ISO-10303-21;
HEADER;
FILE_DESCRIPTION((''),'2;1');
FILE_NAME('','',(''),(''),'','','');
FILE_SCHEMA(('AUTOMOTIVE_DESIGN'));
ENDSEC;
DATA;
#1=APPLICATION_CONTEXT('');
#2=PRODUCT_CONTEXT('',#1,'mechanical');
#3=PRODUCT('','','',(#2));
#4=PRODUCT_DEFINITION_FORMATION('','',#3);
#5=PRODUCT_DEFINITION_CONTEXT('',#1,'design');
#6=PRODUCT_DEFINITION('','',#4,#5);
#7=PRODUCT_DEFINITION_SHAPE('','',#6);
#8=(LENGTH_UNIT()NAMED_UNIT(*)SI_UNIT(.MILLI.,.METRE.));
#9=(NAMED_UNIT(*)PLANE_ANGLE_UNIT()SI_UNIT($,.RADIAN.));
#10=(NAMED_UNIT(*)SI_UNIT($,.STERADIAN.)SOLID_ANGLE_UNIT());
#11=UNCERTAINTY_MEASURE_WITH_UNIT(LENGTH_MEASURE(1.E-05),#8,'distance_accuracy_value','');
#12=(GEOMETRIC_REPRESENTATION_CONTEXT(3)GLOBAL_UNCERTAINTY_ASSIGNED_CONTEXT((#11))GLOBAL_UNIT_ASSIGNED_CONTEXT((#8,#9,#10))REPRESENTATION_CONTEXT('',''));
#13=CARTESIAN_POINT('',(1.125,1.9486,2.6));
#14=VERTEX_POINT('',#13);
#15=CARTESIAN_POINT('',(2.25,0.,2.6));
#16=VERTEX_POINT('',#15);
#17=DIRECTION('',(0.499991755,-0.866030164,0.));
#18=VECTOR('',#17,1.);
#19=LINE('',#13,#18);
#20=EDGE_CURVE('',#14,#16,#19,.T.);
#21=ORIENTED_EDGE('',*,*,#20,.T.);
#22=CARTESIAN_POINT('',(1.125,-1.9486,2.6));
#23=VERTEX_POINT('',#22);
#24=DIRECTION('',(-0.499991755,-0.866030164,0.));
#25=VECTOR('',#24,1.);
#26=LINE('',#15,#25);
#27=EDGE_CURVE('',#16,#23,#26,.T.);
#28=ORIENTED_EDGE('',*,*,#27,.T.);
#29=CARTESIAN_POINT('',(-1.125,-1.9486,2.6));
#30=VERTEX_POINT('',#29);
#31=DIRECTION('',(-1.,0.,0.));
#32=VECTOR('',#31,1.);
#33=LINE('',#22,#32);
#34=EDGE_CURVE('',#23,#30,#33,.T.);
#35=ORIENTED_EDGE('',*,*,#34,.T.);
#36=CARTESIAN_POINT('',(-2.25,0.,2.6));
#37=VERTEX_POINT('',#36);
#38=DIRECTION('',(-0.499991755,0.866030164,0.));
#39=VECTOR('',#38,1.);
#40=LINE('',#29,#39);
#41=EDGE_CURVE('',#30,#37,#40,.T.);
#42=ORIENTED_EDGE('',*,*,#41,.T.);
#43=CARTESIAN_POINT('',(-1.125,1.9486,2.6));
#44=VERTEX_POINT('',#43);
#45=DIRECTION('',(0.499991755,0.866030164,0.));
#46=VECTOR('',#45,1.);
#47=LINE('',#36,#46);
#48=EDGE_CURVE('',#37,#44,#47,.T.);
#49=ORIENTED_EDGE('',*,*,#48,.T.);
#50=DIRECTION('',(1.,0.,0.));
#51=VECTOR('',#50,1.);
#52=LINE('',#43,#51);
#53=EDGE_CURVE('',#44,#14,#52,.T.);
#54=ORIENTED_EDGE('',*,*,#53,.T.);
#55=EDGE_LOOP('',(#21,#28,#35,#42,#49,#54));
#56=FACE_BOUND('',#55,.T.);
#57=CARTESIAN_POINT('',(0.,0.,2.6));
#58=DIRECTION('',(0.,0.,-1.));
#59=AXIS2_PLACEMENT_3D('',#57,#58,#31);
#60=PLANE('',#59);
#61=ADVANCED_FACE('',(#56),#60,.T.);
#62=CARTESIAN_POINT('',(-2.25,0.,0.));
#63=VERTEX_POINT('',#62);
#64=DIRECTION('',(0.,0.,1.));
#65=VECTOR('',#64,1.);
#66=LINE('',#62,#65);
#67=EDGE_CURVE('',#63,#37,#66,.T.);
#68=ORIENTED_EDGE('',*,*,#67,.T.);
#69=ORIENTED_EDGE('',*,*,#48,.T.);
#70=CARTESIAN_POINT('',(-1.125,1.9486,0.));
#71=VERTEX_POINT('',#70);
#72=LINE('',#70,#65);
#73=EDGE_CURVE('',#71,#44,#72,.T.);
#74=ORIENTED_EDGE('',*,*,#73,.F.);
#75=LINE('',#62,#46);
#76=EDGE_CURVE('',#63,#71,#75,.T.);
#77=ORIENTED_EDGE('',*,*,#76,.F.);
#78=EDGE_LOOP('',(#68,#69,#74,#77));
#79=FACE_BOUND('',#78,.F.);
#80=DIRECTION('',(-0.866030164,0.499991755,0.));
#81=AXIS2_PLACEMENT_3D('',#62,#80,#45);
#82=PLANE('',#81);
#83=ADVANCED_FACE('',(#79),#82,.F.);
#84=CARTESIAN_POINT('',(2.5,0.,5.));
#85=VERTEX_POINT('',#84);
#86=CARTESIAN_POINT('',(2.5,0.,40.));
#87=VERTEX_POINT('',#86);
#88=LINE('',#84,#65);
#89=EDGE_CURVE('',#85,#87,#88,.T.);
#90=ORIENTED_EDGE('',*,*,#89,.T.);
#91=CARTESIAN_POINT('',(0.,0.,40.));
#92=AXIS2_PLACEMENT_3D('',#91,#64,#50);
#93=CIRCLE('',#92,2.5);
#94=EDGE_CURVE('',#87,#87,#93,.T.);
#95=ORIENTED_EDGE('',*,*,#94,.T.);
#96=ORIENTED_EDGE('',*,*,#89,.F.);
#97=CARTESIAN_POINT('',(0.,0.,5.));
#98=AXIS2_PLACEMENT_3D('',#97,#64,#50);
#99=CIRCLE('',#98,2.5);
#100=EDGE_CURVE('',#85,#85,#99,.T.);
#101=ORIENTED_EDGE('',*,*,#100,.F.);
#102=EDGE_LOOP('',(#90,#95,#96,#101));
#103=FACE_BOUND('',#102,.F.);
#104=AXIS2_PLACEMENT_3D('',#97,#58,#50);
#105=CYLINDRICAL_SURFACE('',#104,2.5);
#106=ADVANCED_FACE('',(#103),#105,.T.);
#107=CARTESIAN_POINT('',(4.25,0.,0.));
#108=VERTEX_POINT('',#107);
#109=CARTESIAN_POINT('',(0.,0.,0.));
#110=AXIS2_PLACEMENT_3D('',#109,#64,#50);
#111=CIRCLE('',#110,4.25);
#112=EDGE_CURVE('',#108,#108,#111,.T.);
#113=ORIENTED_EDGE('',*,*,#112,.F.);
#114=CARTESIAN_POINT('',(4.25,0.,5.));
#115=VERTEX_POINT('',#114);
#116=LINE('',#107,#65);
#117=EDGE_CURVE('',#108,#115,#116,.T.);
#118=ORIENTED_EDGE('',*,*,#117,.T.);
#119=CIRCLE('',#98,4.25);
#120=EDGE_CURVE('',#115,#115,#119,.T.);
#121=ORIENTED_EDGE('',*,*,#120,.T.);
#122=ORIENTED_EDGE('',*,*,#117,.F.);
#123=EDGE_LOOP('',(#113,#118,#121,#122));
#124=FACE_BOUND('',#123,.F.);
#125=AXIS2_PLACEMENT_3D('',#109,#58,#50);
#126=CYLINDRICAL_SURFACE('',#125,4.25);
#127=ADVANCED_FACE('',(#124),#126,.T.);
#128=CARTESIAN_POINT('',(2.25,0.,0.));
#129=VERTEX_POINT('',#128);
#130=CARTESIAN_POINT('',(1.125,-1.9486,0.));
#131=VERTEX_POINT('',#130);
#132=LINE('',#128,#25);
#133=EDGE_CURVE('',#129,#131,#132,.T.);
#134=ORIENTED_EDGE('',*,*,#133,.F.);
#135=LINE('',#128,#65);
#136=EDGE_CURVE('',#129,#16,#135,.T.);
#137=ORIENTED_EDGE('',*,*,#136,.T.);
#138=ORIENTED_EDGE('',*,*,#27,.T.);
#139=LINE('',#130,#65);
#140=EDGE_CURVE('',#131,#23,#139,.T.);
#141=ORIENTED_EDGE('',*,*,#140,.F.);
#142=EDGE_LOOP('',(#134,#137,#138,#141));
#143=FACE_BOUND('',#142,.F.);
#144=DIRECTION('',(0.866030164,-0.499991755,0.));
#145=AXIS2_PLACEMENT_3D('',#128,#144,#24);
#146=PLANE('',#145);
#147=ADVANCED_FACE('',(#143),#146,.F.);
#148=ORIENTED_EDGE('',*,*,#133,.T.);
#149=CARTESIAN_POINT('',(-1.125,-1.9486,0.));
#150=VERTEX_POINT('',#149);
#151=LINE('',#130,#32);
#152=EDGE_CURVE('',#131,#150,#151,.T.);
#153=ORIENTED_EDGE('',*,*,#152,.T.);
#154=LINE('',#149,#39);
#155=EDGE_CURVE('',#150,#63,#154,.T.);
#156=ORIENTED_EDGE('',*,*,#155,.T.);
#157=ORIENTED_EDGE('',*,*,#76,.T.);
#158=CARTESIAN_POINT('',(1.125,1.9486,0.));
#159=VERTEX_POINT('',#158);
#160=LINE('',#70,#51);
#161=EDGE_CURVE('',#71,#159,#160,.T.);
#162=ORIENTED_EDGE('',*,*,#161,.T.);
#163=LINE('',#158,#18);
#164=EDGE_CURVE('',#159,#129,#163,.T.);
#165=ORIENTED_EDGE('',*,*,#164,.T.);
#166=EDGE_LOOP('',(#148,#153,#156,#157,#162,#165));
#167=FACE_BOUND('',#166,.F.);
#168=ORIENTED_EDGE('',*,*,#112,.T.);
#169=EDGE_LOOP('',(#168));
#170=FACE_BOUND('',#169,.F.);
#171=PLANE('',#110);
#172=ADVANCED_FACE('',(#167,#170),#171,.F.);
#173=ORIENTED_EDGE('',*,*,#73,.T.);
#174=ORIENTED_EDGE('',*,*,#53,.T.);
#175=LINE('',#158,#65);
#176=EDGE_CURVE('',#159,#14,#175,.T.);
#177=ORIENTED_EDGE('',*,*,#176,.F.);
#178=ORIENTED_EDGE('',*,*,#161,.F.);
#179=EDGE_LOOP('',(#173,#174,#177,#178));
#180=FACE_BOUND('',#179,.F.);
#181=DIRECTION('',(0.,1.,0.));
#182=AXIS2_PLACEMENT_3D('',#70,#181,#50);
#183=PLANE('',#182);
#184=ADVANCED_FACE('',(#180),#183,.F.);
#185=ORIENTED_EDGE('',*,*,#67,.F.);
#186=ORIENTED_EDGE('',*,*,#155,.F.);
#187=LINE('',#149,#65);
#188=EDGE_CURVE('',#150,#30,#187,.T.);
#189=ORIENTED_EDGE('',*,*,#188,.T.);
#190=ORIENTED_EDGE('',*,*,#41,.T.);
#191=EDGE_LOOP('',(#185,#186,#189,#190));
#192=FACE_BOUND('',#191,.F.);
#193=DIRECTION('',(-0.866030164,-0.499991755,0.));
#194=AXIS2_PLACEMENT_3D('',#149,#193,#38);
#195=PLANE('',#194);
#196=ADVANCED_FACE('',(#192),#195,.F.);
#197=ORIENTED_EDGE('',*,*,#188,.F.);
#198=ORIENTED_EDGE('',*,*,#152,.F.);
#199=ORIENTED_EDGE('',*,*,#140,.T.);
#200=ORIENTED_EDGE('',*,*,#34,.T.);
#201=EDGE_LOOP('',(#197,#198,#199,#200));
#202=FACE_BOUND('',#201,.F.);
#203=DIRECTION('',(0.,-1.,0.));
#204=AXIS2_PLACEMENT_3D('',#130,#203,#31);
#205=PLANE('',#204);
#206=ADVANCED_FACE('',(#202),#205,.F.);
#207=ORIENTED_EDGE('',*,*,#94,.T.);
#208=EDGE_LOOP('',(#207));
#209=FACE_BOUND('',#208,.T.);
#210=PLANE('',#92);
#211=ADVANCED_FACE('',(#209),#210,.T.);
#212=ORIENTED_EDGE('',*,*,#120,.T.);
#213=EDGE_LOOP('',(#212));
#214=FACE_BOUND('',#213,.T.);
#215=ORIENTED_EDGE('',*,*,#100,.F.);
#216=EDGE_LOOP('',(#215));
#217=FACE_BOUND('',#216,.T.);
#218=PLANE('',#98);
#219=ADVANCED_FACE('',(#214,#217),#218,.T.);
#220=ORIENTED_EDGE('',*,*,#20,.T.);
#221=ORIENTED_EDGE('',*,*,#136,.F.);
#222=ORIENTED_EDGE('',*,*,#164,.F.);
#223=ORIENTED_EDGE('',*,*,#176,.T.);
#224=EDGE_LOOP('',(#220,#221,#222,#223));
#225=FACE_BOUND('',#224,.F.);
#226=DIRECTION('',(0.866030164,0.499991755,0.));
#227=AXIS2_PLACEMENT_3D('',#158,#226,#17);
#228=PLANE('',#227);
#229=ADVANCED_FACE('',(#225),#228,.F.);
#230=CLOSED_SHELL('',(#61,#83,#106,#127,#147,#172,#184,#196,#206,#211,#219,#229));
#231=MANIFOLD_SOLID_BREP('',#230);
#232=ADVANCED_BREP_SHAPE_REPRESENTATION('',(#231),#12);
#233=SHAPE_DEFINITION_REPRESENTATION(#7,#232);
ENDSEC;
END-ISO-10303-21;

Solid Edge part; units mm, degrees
sketch "Sketch1" plane through (0, 0, 0) normal (0, 0, 1) x (1, 0, 0)
  circle A0 centre (0, 0) radius 4.25
  dimension "D1" = 8.5
extrude "Protrusion1" add sketch "Sketch1" along normal blind 5
sketch "Sketch2" plane through (0, 0, 5) normal (0, 0, 1) x (1, 0, 0)
  circle A0 centre (0, 0) radius 2.5
extrude "ExtrudedProtrusion_2" add sketch "Sketch2" along normal blind 35
sketch "Sketch3" plane through (0, 0, 0) normal (0, 0, -1) x (-1, 0, 0)
  line L0 (2.25, 0) -> (1.125, 1.9486)
  line L1 (1.125, 1.9486) -> (-1.125, 1.9486)
  line L2 (-1.125, 1.9486) -> (-2.25, 0)
  line L3 (-2.25, 0) -> (-1.125, -1.9486)
  line L4 (-1.125, -1.9486) -> (1.125, -1.9486)
  line L5 (1.125, -1.9486) -> (2.25, 0)
extrude "ExtrudedCutout_1" cut sketch "Sketch3" against normal blind 2.6
cosmetic_thread "Thread_1" size "M5" thread depth 24
properties material "Stainless steel"
